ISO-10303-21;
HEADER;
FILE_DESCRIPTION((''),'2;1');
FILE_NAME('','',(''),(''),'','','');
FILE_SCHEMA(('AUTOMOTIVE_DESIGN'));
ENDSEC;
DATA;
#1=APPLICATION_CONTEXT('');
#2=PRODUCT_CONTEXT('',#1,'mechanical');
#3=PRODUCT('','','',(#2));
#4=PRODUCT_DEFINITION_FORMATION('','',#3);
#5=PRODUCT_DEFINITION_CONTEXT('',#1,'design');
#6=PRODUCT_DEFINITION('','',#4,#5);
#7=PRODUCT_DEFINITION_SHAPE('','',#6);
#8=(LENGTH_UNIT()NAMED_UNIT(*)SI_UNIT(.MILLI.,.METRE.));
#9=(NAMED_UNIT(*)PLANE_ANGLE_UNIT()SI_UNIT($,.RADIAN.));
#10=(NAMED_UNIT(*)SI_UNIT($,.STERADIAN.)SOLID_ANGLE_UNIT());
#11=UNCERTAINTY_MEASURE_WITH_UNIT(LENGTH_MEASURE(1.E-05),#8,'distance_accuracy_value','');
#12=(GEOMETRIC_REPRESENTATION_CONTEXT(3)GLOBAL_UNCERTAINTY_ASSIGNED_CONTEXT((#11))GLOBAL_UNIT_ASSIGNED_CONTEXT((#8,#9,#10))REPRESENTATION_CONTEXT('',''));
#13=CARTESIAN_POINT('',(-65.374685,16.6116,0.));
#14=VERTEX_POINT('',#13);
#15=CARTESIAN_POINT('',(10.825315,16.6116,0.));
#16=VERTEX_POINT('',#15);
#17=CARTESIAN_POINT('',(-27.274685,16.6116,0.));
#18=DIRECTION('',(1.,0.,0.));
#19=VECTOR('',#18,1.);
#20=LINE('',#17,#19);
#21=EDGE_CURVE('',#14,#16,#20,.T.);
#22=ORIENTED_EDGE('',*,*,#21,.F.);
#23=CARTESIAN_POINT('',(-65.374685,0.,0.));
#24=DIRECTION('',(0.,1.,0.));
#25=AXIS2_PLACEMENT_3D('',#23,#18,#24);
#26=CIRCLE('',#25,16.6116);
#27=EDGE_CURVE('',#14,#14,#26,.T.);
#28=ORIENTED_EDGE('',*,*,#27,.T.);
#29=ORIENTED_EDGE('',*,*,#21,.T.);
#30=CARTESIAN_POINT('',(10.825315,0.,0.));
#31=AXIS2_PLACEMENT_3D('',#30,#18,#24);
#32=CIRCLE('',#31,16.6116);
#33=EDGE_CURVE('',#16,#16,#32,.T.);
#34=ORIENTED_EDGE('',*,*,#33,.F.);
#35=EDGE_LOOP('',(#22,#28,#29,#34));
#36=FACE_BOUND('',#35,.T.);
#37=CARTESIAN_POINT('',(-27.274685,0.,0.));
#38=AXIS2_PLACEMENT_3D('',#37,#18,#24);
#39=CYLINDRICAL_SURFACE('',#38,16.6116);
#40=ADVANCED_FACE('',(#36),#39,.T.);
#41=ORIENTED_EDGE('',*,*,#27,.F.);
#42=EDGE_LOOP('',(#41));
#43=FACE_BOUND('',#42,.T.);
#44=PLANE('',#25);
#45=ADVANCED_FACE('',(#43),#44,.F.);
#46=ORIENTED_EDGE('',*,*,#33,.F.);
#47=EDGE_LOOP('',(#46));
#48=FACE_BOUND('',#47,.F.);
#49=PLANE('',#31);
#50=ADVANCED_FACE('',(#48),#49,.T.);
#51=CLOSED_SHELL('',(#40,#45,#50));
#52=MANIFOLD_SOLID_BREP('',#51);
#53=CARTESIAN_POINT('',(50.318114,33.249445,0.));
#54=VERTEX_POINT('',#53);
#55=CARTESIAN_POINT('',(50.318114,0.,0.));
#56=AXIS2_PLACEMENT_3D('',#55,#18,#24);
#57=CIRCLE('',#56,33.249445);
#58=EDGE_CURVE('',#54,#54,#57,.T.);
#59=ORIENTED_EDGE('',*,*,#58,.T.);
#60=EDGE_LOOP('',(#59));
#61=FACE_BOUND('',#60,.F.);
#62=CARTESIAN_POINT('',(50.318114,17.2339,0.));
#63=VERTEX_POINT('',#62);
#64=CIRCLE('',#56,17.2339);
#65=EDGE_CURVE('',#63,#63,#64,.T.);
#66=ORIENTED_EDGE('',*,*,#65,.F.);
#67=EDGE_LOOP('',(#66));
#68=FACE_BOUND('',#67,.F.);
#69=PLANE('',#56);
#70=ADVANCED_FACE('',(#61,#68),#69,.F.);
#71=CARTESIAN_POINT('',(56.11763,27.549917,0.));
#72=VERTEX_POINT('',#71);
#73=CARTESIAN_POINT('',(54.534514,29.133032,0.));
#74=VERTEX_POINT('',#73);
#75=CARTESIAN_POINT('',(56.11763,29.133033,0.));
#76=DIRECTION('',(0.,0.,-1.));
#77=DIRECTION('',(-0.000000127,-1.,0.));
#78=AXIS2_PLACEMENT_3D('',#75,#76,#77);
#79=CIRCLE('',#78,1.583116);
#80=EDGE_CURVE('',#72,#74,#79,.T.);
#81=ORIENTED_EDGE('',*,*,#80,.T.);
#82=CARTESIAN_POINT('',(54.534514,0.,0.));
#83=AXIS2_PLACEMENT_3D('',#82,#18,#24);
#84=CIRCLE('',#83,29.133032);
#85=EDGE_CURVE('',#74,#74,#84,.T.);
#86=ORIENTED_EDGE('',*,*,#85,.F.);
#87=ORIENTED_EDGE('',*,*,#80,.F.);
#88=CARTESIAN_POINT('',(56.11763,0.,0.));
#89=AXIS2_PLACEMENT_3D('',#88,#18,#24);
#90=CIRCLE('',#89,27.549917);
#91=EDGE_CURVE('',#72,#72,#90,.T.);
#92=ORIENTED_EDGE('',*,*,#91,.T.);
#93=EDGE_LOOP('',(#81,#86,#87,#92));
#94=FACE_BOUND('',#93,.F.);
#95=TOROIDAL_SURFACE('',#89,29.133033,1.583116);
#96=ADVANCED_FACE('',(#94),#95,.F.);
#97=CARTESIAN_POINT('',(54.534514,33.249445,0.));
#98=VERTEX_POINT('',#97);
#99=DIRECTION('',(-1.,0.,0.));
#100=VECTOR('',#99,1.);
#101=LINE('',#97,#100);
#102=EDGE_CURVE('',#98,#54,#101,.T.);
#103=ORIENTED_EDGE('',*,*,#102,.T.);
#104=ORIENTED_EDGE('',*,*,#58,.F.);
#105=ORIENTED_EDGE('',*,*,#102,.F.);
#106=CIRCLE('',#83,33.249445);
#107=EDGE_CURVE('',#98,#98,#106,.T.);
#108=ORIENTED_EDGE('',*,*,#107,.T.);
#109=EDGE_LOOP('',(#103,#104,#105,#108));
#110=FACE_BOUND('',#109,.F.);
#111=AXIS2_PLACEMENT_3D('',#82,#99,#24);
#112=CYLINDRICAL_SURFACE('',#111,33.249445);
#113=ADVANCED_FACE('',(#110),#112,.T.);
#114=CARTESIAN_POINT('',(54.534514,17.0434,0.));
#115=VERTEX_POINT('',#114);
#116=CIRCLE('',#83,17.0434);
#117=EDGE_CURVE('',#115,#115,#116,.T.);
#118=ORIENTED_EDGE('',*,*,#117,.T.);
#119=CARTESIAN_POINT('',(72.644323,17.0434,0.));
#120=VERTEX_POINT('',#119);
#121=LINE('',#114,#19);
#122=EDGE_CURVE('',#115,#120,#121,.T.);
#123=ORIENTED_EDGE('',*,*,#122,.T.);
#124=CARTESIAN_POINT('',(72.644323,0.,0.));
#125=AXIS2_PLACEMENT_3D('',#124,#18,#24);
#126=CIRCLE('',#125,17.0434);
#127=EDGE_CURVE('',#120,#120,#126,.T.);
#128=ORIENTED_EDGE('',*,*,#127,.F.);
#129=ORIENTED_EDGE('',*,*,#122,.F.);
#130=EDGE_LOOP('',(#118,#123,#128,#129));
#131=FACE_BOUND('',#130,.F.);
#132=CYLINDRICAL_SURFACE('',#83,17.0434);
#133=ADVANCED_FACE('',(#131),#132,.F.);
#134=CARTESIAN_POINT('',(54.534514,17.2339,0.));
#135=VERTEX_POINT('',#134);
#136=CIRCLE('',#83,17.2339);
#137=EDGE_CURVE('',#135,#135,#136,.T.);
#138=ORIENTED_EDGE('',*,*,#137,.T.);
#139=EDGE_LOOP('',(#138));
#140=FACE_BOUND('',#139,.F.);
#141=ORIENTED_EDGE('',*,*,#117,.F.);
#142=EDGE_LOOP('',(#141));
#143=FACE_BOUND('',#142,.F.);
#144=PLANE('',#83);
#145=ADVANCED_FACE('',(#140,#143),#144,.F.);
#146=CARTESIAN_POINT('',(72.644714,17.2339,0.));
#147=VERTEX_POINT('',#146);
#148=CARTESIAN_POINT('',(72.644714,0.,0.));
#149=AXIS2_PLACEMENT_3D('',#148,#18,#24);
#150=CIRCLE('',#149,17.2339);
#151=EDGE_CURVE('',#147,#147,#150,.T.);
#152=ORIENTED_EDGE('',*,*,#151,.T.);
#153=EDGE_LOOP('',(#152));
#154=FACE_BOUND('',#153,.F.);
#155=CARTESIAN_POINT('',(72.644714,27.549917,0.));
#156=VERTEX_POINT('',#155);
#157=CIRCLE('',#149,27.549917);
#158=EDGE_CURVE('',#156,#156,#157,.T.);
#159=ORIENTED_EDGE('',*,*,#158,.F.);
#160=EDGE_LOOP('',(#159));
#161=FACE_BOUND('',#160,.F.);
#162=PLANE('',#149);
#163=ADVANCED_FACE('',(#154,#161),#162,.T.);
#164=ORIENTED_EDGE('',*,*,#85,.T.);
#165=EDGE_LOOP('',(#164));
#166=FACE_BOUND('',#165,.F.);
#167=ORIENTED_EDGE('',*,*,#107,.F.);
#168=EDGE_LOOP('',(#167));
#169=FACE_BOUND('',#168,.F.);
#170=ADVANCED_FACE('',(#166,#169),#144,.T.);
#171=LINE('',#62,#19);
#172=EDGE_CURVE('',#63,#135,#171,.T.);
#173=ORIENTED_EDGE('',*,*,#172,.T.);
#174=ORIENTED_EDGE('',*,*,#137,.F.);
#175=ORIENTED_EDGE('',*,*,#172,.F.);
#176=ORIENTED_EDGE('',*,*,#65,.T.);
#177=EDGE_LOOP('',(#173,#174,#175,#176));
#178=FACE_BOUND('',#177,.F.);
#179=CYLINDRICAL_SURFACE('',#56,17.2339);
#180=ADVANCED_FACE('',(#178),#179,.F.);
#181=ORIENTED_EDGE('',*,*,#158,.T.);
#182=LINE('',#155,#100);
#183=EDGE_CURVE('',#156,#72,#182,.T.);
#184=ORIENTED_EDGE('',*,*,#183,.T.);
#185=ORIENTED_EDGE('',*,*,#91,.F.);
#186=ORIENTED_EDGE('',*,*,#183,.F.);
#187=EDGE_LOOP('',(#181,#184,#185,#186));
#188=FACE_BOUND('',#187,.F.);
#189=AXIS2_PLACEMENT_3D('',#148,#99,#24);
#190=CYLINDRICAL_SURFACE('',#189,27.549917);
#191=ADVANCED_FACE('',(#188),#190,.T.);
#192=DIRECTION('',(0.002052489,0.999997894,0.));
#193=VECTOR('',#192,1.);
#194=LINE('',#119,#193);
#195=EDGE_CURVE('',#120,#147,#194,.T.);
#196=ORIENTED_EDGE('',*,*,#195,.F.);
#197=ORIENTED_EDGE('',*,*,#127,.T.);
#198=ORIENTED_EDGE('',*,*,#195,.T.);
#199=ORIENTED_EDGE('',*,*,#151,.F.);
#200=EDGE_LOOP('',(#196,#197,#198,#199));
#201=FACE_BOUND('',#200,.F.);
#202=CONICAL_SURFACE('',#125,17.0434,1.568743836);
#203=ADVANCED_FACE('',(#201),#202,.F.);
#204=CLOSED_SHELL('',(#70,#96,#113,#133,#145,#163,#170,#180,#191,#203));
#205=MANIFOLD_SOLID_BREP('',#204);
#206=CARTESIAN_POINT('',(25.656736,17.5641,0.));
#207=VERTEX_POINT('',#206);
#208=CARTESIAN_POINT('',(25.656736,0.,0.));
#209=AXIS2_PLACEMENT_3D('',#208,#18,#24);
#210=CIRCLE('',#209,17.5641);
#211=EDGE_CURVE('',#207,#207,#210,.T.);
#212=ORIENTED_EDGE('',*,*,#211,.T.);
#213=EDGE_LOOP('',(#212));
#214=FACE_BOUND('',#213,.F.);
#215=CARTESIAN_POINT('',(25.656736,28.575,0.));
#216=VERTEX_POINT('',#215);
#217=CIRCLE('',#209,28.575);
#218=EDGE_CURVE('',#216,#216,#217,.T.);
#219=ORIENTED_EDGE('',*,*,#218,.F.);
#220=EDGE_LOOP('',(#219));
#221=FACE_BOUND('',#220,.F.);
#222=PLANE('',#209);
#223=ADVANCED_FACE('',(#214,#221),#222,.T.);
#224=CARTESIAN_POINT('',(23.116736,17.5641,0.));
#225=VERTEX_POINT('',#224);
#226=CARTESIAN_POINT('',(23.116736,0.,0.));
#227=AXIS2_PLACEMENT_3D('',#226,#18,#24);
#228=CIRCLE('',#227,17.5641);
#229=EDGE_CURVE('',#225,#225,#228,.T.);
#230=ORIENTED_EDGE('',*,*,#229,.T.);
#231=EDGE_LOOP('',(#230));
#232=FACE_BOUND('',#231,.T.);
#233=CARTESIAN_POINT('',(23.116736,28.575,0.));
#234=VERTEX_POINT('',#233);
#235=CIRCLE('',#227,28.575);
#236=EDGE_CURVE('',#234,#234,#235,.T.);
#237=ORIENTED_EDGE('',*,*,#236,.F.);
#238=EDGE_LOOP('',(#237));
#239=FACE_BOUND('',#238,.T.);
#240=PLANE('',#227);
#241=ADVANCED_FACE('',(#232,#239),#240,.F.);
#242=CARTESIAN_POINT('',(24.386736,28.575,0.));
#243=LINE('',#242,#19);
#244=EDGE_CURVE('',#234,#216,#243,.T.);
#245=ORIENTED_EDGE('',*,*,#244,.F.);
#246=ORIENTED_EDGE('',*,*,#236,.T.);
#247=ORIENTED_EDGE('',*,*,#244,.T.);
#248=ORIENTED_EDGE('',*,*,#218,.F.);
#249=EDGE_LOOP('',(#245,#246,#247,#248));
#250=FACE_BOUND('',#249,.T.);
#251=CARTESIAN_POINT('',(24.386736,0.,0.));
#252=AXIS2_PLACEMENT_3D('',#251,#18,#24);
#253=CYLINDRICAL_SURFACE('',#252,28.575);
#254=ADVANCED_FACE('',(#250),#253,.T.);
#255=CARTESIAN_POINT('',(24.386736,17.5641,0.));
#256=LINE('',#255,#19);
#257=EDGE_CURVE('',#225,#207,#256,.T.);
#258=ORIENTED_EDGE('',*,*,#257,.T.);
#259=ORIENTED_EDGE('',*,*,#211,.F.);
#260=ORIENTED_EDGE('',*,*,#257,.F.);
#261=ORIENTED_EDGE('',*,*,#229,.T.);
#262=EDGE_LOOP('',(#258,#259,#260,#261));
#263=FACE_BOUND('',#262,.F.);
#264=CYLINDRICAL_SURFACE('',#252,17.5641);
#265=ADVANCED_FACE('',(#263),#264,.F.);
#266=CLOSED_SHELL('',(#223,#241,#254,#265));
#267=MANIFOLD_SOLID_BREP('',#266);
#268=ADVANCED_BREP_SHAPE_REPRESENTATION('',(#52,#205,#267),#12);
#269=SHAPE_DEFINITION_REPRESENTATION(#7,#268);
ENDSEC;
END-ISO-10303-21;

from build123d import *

# Parameters (mm, degrees)
F0_W   = 76.2
F0_H   = 16.6116
F0_W_2 = 2.54
F0_H_2 = 11.0109


with BuildPart() as f1:
    # F0 (on Top) → F1 (revolve)
    with BuildSketch(Plane.XY):
        with Locations((-27.274685, 8.3058)):
            Rectangle(F0_W, F0_H)
        with Locations((24.386736, 23.06955)):
            Rectangle(F0_W_2, F0_H_2)
        with BuildLine():
            Line((50.318114, 33.249445), (50.318114, 17.2339))
            Line((50.318114, 17.2339), (54.534514, 17.2339))
            Line((54.534514, 17.2339), (54.534514, 17.0434))
            Line((54.534514, 17.0434), (63.044108, 17.0434))
            Line((63.044108, 17.0434), (72.644323, 17.0434))
            Line((72.644323, 17.0434), (72.644714, 17.2339))
            Line((72.644714, 17.2339), (72.644714, 27.549917))
            Line((72.644714, 27.549917), (56.11763, 27.549917))
            ThreePointArc((56.11763, 27.549917), (54.998198, 28.013601), (54.534514, 29.133032))
            Line((54.534514, 29.133032), (54.534514, 33.249445))
            Line((54.534514, 33.249445), (50.318114, 33.249445))
        make_face()
    revolve(axis=Axis((0.35724, 0, 0), (1, 0, 0)))


solid = f1.part
